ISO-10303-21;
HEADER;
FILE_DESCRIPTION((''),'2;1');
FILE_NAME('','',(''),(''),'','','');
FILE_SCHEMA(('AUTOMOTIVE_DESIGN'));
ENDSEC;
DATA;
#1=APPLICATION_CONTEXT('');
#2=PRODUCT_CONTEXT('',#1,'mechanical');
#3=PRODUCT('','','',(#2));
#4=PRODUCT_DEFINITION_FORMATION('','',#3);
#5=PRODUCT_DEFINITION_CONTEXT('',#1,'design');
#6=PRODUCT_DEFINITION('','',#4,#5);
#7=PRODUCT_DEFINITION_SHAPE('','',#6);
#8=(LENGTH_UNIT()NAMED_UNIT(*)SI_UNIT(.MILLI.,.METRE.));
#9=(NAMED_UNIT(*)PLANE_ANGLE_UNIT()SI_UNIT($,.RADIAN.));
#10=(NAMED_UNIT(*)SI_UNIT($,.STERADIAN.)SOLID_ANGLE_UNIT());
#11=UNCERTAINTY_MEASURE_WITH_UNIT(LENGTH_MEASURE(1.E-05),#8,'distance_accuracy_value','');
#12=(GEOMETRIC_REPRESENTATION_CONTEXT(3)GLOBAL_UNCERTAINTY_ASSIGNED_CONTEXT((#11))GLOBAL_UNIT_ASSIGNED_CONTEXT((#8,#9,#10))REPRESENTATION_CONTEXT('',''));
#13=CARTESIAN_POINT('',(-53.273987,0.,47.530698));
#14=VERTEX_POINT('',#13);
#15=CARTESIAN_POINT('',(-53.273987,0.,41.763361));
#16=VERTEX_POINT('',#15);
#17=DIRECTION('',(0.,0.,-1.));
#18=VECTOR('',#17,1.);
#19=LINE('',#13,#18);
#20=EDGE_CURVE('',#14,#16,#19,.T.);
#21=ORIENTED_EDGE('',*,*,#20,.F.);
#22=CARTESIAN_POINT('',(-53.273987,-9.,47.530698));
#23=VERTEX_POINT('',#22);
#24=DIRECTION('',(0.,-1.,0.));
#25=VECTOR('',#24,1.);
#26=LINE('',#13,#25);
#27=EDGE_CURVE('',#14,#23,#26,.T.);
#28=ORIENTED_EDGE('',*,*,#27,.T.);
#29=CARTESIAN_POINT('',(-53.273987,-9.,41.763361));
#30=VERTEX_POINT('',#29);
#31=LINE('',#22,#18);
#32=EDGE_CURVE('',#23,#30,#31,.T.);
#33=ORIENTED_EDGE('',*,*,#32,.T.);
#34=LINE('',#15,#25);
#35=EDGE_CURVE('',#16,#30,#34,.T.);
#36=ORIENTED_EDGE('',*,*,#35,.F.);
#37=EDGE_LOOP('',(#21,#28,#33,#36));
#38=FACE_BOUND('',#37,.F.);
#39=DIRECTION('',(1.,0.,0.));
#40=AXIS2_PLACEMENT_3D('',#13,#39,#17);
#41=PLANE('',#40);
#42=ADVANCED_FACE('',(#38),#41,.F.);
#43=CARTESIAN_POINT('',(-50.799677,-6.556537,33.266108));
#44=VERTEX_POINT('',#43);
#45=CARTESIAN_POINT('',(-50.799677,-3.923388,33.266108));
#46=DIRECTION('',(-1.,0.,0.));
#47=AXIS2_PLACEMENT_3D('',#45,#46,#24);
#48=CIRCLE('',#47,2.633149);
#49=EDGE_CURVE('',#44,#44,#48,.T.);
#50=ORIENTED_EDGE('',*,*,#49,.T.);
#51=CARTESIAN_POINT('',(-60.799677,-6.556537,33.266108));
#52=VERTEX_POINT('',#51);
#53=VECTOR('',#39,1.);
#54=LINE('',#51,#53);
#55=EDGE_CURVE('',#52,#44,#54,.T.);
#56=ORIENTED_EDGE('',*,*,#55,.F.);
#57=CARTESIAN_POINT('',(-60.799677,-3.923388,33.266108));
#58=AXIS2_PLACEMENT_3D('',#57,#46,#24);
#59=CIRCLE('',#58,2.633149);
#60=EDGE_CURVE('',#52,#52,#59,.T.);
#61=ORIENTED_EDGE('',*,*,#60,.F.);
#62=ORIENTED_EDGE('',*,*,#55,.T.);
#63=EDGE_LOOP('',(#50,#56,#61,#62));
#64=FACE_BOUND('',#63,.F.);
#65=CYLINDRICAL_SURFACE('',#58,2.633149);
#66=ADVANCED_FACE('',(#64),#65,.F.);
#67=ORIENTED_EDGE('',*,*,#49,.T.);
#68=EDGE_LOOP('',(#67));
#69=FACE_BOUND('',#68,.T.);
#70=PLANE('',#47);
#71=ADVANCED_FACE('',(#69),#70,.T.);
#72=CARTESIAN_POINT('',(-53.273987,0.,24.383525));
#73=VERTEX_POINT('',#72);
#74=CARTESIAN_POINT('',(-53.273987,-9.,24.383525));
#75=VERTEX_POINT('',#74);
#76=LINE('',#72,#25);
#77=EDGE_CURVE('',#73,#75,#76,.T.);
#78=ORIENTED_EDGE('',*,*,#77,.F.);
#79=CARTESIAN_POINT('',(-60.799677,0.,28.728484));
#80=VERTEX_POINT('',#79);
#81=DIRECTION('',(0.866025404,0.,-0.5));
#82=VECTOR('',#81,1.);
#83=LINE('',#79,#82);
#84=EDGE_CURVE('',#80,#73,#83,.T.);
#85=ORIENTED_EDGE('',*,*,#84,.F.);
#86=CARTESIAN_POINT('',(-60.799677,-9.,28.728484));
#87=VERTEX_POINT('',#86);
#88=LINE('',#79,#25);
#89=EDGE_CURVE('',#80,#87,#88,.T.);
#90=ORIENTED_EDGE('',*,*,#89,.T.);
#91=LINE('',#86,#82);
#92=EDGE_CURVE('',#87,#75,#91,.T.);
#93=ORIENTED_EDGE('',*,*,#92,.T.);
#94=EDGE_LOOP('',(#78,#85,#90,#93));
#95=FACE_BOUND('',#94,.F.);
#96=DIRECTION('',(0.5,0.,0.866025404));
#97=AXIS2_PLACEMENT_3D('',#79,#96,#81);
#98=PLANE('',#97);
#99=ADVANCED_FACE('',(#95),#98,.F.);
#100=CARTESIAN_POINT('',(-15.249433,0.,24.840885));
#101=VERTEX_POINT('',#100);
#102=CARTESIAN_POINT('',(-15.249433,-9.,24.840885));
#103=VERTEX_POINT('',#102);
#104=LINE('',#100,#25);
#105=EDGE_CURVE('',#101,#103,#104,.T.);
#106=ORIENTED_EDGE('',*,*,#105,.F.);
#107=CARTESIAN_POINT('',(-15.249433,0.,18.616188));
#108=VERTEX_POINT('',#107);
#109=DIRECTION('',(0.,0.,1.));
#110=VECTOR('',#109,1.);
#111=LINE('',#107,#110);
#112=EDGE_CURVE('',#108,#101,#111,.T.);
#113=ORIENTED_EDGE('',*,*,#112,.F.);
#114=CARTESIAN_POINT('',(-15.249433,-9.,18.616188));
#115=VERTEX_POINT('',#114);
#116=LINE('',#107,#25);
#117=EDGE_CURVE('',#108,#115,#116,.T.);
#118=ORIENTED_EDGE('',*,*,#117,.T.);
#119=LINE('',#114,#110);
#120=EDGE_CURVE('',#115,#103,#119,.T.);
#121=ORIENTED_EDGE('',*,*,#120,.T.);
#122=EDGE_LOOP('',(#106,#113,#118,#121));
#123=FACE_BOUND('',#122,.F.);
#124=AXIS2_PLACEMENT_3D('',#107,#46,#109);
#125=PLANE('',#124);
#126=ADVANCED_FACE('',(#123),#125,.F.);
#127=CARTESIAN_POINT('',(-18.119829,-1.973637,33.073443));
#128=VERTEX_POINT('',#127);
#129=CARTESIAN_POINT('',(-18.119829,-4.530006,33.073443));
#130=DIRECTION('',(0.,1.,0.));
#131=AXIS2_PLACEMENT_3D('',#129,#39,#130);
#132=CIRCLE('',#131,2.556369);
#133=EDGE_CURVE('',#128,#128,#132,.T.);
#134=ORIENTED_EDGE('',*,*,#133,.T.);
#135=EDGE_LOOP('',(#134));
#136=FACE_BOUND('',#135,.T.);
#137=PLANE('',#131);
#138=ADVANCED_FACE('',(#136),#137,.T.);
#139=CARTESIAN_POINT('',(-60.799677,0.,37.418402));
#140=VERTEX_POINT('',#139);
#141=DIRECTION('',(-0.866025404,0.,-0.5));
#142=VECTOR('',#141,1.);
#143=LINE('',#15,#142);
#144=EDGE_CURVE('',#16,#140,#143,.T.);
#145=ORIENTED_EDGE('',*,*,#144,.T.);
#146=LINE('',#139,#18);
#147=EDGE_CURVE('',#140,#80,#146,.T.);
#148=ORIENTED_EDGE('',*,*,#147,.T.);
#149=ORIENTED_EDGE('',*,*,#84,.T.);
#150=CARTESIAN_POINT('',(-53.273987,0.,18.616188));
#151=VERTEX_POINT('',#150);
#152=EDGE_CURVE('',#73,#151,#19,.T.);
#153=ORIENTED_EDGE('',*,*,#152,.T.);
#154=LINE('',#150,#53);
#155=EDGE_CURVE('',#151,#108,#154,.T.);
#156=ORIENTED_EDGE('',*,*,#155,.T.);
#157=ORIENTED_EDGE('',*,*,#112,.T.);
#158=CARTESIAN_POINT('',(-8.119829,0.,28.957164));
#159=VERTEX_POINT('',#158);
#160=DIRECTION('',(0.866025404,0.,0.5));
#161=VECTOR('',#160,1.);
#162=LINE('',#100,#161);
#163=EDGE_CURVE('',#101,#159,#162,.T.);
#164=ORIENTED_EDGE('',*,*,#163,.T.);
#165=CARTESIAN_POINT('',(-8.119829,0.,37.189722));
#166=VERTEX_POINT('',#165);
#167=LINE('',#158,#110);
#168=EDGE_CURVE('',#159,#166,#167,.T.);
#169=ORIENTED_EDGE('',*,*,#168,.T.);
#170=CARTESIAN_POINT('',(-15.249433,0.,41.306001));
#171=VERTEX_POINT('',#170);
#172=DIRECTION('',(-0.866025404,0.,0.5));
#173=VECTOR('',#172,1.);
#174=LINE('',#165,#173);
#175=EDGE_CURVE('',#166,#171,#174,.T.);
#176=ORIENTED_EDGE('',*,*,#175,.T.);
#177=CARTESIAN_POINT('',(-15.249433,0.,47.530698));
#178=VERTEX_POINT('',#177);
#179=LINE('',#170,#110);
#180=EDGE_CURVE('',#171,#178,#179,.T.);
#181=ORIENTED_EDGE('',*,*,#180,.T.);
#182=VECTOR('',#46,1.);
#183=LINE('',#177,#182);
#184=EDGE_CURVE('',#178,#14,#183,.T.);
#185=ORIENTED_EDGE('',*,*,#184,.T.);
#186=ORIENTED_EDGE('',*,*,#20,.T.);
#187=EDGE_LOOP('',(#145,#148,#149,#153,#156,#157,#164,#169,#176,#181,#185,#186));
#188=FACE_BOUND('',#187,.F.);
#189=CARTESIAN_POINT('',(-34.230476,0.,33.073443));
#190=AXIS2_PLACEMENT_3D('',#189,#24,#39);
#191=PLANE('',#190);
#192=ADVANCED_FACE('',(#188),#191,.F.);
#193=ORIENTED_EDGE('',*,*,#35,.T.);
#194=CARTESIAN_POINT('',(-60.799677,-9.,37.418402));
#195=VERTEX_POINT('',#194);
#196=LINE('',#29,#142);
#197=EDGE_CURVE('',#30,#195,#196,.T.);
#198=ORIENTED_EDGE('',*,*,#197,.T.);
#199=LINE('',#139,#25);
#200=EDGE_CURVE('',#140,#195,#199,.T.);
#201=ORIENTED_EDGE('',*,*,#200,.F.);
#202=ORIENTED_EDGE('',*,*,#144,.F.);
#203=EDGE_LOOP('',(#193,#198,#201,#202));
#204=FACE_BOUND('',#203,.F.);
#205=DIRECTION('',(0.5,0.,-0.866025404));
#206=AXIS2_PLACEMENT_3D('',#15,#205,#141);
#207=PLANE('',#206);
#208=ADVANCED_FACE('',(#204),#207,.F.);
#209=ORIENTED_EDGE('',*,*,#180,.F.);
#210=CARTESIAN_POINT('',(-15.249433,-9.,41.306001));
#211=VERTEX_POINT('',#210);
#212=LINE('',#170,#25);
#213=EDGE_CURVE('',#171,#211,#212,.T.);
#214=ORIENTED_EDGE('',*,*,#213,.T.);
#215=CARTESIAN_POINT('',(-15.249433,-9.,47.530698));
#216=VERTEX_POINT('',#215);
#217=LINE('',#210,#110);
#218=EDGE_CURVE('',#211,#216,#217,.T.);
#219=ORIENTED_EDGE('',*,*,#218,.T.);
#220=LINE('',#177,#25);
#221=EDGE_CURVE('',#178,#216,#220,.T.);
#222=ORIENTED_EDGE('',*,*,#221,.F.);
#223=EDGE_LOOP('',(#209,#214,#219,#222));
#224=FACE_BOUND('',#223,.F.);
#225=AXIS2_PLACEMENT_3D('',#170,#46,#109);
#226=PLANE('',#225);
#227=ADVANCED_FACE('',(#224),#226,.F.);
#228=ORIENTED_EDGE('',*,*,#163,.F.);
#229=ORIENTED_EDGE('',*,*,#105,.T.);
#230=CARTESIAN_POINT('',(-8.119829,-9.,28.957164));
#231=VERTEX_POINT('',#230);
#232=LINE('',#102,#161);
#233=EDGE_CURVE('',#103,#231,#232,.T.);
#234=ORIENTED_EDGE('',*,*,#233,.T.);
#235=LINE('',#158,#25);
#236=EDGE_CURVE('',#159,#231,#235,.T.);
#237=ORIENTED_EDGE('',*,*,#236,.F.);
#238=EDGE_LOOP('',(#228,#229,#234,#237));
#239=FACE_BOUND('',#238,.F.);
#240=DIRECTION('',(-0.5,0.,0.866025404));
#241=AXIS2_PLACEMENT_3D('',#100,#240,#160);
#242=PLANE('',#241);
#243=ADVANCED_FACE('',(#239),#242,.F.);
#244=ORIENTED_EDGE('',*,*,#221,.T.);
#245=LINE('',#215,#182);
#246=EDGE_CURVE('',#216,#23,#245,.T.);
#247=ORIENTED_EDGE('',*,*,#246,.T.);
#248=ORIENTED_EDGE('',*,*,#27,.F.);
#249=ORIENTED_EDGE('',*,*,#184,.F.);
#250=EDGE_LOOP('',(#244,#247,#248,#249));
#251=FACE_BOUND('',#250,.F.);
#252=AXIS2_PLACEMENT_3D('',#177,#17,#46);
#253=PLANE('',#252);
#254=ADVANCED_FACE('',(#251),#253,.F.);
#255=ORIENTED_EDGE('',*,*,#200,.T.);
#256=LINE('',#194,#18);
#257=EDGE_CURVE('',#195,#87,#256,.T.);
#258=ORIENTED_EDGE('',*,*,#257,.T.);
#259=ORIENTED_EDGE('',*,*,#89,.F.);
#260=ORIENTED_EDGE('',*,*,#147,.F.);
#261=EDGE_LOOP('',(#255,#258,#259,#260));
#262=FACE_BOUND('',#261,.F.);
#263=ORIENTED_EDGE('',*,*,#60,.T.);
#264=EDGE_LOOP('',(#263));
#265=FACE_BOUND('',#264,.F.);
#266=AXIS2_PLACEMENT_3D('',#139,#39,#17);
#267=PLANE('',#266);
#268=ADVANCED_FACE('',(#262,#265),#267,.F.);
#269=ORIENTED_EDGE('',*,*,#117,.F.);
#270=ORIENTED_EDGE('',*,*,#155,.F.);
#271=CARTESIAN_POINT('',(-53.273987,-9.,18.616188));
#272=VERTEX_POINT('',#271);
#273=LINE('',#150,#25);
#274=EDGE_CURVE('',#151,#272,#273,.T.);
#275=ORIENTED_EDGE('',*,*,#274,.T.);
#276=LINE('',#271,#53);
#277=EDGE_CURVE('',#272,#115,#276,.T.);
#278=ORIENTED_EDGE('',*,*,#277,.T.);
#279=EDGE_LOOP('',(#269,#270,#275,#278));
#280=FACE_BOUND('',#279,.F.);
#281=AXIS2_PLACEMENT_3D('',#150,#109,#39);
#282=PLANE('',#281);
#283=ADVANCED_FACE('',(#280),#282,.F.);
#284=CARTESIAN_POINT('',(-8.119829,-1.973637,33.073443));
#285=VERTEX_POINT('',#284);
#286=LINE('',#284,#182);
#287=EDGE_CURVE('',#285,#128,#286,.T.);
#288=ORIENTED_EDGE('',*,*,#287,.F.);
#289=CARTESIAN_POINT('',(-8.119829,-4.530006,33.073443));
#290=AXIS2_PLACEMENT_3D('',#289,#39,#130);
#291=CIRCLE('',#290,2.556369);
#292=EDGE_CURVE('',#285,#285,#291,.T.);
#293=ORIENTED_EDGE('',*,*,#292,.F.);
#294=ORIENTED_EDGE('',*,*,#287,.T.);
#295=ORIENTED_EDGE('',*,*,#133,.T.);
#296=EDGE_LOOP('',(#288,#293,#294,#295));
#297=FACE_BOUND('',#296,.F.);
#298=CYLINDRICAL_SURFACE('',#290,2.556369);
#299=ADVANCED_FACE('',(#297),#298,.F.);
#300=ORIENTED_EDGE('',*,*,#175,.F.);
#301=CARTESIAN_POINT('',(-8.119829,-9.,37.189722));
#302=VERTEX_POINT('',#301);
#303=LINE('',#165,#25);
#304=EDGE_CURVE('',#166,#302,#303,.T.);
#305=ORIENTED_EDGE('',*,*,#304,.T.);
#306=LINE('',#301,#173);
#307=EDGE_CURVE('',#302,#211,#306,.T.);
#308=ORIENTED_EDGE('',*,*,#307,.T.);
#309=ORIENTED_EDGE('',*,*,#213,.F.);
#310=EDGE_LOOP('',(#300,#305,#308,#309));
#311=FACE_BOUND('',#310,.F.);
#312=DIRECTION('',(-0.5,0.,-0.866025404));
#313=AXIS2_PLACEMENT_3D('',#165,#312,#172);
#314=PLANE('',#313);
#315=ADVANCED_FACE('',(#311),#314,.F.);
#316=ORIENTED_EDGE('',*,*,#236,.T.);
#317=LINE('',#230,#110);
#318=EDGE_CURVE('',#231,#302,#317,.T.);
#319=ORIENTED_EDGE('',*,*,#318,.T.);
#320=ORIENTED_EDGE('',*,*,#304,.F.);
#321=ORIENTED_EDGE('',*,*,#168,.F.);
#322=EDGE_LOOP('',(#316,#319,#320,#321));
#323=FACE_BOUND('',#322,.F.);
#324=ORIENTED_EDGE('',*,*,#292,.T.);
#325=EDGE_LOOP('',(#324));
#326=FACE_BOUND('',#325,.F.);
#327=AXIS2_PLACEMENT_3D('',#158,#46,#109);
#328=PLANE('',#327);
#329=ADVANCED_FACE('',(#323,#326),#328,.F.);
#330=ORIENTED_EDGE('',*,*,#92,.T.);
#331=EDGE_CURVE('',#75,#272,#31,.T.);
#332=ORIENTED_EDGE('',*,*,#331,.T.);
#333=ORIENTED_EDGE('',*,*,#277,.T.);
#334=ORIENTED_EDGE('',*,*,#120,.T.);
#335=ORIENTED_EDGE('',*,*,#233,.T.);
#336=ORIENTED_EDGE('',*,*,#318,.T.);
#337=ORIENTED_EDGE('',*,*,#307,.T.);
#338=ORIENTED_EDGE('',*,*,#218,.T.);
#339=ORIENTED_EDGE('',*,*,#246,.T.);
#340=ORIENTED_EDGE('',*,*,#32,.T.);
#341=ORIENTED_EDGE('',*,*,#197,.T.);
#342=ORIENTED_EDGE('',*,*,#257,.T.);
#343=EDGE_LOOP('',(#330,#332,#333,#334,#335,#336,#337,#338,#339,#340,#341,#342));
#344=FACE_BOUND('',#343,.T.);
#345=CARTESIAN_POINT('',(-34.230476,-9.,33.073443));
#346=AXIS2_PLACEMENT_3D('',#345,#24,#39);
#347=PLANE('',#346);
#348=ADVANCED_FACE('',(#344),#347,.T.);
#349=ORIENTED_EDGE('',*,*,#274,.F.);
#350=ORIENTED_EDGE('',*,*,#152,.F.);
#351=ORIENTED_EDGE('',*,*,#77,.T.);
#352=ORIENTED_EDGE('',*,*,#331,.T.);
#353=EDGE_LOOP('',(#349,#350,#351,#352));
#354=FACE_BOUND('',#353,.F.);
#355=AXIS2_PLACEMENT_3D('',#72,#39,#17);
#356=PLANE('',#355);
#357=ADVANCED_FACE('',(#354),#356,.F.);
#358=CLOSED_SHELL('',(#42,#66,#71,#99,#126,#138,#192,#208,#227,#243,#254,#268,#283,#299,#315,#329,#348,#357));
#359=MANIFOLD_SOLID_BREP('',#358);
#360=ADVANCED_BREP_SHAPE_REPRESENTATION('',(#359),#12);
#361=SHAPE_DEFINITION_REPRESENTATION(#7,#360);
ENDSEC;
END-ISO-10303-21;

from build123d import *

# Parameters (mm, degrees)
F1_DEPTH = 9
F2_R     = 2.5563686672
F4_DEPTH = 10
F3_R     = 2.6331489766
F5_DEPTH = 10


with BuildPart() as f1:
    # F0 (on Front) → F1 (new body)
    with BuildSketch(Plane.XZ):
        Polygon((-15.2494329959, 47.5306976587), (-53.273987025, 47.5306976587), (-53.273987025, 41.7633611672), (-45.7482971251, 37.4184020777), (-45.7482971251, 28.7284838985), (-53.273987025, 24.383524809), (-53.273987025, 18.6161883175), (-15.2494329959, 18.6161883175), (-15.2494329959, 24.8408854145), (-22.3790369928, 28.9571642013), (-22.3790369928, 37.1897217749), (-15.2494329959, 41.3060005617), align=None)
        Polygon((-45.7482971251, 37.4184020777), (-53.273987025, 41.7633611672), (-53.273987025, 24.383524809), (-45.7482971251, 28.7284838985), align=None)
        Polygon((-53.273987025, 24.383524809), (-53.273987025, 41.7633611672), (-60.7996769249, 37.4184020777), (-60.7996769249, 28.7284838985), align=None)
        Polygon((-8.119828999, 37.1897217749), (-15.2494329959, 41.3060005617), (-15.2494329959, 24.8408854145), (-8.119828999, 28.9571642013), align=None)
        Polygon((-15.2494329959, 24.8408854145), (-15.2494329959, 41.3060005617), (-22.3790369928, 37.1897217749), (-22.3790369928, 28.9571642013), align=None)
    extrude(amount=F1_DEPTH)

    # F2 (on face) → F4 (cut)
    with BuildSketch(Plane.YZ.offset(-8.119828999)):
        with Locations((-4.5300060883, 33.0734429881)):
            Circle(F2_R)
    extrude(amount=-F4_DEPTH, mode=Mode.SUBTRACT)

    # F3 (on face) → F5 (cut)
    with BuildSketch(Plane(origin=(-60.7996769249, 0, 0), x_dir=(0, -1, 0), z_dir=(-1, 0, 0))):
        with Locations((3.9233877324, 33.2661084831)):
            Circle(F3_R)
    extrude(amount=-F5_DEPTH, mode=Mode.SUBTRACT)


solid = f1.part
